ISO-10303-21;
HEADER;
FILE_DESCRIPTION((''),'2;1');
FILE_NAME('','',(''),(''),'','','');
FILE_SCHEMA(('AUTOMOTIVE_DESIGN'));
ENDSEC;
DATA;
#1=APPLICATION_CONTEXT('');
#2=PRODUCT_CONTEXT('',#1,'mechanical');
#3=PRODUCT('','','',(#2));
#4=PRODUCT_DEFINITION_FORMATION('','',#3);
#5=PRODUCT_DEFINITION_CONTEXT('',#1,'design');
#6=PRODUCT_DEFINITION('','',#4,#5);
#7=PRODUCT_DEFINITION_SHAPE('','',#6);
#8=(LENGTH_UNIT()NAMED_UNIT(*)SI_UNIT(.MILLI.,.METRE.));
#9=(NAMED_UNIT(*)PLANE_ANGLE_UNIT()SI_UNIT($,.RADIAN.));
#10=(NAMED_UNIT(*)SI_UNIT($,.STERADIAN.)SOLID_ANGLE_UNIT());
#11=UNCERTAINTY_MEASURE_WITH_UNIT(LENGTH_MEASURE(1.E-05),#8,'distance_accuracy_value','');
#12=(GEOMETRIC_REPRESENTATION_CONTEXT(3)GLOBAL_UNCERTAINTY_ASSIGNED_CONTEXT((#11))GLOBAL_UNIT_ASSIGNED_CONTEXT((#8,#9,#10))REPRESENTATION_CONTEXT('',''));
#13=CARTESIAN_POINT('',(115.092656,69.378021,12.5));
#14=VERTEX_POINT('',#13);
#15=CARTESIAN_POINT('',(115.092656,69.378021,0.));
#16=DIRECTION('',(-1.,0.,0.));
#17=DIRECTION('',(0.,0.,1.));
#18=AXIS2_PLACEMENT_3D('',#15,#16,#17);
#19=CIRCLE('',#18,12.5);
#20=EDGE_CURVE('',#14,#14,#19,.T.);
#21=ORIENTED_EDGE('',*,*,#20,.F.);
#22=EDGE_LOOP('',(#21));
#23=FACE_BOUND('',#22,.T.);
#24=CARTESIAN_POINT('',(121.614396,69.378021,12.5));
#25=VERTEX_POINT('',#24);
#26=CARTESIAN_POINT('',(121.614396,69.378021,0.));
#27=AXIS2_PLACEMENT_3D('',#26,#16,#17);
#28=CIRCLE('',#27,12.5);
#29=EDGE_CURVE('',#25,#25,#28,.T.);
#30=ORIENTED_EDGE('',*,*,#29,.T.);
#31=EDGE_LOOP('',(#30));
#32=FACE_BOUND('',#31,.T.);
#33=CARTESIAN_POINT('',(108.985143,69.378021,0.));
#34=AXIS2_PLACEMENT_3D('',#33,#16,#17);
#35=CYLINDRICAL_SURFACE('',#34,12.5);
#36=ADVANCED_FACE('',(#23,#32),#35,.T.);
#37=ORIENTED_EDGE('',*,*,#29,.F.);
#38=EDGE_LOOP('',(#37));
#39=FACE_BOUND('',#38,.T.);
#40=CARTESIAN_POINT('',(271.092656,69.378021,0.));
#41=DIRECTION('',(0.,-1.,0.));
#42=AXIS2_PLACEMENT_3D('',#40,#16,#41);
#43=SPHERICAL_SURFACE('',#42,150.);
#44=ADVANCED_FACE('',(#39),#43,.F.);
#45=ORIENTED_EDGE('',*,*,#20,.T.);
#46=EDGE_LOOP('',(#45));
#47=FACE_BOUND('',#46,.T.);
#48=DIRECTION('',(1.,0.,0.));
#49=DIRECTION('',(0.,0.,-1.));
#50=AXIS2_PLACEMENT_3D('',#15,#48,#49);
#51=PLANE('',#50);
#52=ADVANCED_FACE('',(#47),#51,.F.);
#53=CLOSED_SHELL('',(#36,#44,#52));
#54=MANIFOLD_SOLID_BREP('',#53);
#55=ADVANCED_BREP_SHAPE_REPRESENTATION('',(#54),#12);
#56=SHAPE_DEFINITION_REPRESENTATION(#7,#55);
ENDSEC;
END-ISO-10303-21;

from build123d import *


with BuildPart() as part:
    # 草图1 → 旋转1 (revolve)
    with BuildSketch(Plane.XY, mode=Mode.PRIVATE) as revolve_1_sk:
        with BuildLine():
            Line((115.092655535, 69.378021123), (115.092655535, 81.878021123))
            Line((115.092655535, 81.878021123), (121.614396471, 81.878021123))
            ThreePointArc((121.614396471, 81.878021123), (121.223147698, 75.633463022), (121.09265576, 69.378021123))
            Line((121.09265576, 69.378021123), (115.092655535, 69.378021123))
        make_face()
    revolve(revolve_1_sk.sketch.rotate(Axis((108.985143002, 69.378021123, 0), (1, 0, 0)), 180), axis=Axis((108.985143002, 69.378021123, 0), (1, 0, 0)))  # turned: the seam where the file's is


solid = part.part
